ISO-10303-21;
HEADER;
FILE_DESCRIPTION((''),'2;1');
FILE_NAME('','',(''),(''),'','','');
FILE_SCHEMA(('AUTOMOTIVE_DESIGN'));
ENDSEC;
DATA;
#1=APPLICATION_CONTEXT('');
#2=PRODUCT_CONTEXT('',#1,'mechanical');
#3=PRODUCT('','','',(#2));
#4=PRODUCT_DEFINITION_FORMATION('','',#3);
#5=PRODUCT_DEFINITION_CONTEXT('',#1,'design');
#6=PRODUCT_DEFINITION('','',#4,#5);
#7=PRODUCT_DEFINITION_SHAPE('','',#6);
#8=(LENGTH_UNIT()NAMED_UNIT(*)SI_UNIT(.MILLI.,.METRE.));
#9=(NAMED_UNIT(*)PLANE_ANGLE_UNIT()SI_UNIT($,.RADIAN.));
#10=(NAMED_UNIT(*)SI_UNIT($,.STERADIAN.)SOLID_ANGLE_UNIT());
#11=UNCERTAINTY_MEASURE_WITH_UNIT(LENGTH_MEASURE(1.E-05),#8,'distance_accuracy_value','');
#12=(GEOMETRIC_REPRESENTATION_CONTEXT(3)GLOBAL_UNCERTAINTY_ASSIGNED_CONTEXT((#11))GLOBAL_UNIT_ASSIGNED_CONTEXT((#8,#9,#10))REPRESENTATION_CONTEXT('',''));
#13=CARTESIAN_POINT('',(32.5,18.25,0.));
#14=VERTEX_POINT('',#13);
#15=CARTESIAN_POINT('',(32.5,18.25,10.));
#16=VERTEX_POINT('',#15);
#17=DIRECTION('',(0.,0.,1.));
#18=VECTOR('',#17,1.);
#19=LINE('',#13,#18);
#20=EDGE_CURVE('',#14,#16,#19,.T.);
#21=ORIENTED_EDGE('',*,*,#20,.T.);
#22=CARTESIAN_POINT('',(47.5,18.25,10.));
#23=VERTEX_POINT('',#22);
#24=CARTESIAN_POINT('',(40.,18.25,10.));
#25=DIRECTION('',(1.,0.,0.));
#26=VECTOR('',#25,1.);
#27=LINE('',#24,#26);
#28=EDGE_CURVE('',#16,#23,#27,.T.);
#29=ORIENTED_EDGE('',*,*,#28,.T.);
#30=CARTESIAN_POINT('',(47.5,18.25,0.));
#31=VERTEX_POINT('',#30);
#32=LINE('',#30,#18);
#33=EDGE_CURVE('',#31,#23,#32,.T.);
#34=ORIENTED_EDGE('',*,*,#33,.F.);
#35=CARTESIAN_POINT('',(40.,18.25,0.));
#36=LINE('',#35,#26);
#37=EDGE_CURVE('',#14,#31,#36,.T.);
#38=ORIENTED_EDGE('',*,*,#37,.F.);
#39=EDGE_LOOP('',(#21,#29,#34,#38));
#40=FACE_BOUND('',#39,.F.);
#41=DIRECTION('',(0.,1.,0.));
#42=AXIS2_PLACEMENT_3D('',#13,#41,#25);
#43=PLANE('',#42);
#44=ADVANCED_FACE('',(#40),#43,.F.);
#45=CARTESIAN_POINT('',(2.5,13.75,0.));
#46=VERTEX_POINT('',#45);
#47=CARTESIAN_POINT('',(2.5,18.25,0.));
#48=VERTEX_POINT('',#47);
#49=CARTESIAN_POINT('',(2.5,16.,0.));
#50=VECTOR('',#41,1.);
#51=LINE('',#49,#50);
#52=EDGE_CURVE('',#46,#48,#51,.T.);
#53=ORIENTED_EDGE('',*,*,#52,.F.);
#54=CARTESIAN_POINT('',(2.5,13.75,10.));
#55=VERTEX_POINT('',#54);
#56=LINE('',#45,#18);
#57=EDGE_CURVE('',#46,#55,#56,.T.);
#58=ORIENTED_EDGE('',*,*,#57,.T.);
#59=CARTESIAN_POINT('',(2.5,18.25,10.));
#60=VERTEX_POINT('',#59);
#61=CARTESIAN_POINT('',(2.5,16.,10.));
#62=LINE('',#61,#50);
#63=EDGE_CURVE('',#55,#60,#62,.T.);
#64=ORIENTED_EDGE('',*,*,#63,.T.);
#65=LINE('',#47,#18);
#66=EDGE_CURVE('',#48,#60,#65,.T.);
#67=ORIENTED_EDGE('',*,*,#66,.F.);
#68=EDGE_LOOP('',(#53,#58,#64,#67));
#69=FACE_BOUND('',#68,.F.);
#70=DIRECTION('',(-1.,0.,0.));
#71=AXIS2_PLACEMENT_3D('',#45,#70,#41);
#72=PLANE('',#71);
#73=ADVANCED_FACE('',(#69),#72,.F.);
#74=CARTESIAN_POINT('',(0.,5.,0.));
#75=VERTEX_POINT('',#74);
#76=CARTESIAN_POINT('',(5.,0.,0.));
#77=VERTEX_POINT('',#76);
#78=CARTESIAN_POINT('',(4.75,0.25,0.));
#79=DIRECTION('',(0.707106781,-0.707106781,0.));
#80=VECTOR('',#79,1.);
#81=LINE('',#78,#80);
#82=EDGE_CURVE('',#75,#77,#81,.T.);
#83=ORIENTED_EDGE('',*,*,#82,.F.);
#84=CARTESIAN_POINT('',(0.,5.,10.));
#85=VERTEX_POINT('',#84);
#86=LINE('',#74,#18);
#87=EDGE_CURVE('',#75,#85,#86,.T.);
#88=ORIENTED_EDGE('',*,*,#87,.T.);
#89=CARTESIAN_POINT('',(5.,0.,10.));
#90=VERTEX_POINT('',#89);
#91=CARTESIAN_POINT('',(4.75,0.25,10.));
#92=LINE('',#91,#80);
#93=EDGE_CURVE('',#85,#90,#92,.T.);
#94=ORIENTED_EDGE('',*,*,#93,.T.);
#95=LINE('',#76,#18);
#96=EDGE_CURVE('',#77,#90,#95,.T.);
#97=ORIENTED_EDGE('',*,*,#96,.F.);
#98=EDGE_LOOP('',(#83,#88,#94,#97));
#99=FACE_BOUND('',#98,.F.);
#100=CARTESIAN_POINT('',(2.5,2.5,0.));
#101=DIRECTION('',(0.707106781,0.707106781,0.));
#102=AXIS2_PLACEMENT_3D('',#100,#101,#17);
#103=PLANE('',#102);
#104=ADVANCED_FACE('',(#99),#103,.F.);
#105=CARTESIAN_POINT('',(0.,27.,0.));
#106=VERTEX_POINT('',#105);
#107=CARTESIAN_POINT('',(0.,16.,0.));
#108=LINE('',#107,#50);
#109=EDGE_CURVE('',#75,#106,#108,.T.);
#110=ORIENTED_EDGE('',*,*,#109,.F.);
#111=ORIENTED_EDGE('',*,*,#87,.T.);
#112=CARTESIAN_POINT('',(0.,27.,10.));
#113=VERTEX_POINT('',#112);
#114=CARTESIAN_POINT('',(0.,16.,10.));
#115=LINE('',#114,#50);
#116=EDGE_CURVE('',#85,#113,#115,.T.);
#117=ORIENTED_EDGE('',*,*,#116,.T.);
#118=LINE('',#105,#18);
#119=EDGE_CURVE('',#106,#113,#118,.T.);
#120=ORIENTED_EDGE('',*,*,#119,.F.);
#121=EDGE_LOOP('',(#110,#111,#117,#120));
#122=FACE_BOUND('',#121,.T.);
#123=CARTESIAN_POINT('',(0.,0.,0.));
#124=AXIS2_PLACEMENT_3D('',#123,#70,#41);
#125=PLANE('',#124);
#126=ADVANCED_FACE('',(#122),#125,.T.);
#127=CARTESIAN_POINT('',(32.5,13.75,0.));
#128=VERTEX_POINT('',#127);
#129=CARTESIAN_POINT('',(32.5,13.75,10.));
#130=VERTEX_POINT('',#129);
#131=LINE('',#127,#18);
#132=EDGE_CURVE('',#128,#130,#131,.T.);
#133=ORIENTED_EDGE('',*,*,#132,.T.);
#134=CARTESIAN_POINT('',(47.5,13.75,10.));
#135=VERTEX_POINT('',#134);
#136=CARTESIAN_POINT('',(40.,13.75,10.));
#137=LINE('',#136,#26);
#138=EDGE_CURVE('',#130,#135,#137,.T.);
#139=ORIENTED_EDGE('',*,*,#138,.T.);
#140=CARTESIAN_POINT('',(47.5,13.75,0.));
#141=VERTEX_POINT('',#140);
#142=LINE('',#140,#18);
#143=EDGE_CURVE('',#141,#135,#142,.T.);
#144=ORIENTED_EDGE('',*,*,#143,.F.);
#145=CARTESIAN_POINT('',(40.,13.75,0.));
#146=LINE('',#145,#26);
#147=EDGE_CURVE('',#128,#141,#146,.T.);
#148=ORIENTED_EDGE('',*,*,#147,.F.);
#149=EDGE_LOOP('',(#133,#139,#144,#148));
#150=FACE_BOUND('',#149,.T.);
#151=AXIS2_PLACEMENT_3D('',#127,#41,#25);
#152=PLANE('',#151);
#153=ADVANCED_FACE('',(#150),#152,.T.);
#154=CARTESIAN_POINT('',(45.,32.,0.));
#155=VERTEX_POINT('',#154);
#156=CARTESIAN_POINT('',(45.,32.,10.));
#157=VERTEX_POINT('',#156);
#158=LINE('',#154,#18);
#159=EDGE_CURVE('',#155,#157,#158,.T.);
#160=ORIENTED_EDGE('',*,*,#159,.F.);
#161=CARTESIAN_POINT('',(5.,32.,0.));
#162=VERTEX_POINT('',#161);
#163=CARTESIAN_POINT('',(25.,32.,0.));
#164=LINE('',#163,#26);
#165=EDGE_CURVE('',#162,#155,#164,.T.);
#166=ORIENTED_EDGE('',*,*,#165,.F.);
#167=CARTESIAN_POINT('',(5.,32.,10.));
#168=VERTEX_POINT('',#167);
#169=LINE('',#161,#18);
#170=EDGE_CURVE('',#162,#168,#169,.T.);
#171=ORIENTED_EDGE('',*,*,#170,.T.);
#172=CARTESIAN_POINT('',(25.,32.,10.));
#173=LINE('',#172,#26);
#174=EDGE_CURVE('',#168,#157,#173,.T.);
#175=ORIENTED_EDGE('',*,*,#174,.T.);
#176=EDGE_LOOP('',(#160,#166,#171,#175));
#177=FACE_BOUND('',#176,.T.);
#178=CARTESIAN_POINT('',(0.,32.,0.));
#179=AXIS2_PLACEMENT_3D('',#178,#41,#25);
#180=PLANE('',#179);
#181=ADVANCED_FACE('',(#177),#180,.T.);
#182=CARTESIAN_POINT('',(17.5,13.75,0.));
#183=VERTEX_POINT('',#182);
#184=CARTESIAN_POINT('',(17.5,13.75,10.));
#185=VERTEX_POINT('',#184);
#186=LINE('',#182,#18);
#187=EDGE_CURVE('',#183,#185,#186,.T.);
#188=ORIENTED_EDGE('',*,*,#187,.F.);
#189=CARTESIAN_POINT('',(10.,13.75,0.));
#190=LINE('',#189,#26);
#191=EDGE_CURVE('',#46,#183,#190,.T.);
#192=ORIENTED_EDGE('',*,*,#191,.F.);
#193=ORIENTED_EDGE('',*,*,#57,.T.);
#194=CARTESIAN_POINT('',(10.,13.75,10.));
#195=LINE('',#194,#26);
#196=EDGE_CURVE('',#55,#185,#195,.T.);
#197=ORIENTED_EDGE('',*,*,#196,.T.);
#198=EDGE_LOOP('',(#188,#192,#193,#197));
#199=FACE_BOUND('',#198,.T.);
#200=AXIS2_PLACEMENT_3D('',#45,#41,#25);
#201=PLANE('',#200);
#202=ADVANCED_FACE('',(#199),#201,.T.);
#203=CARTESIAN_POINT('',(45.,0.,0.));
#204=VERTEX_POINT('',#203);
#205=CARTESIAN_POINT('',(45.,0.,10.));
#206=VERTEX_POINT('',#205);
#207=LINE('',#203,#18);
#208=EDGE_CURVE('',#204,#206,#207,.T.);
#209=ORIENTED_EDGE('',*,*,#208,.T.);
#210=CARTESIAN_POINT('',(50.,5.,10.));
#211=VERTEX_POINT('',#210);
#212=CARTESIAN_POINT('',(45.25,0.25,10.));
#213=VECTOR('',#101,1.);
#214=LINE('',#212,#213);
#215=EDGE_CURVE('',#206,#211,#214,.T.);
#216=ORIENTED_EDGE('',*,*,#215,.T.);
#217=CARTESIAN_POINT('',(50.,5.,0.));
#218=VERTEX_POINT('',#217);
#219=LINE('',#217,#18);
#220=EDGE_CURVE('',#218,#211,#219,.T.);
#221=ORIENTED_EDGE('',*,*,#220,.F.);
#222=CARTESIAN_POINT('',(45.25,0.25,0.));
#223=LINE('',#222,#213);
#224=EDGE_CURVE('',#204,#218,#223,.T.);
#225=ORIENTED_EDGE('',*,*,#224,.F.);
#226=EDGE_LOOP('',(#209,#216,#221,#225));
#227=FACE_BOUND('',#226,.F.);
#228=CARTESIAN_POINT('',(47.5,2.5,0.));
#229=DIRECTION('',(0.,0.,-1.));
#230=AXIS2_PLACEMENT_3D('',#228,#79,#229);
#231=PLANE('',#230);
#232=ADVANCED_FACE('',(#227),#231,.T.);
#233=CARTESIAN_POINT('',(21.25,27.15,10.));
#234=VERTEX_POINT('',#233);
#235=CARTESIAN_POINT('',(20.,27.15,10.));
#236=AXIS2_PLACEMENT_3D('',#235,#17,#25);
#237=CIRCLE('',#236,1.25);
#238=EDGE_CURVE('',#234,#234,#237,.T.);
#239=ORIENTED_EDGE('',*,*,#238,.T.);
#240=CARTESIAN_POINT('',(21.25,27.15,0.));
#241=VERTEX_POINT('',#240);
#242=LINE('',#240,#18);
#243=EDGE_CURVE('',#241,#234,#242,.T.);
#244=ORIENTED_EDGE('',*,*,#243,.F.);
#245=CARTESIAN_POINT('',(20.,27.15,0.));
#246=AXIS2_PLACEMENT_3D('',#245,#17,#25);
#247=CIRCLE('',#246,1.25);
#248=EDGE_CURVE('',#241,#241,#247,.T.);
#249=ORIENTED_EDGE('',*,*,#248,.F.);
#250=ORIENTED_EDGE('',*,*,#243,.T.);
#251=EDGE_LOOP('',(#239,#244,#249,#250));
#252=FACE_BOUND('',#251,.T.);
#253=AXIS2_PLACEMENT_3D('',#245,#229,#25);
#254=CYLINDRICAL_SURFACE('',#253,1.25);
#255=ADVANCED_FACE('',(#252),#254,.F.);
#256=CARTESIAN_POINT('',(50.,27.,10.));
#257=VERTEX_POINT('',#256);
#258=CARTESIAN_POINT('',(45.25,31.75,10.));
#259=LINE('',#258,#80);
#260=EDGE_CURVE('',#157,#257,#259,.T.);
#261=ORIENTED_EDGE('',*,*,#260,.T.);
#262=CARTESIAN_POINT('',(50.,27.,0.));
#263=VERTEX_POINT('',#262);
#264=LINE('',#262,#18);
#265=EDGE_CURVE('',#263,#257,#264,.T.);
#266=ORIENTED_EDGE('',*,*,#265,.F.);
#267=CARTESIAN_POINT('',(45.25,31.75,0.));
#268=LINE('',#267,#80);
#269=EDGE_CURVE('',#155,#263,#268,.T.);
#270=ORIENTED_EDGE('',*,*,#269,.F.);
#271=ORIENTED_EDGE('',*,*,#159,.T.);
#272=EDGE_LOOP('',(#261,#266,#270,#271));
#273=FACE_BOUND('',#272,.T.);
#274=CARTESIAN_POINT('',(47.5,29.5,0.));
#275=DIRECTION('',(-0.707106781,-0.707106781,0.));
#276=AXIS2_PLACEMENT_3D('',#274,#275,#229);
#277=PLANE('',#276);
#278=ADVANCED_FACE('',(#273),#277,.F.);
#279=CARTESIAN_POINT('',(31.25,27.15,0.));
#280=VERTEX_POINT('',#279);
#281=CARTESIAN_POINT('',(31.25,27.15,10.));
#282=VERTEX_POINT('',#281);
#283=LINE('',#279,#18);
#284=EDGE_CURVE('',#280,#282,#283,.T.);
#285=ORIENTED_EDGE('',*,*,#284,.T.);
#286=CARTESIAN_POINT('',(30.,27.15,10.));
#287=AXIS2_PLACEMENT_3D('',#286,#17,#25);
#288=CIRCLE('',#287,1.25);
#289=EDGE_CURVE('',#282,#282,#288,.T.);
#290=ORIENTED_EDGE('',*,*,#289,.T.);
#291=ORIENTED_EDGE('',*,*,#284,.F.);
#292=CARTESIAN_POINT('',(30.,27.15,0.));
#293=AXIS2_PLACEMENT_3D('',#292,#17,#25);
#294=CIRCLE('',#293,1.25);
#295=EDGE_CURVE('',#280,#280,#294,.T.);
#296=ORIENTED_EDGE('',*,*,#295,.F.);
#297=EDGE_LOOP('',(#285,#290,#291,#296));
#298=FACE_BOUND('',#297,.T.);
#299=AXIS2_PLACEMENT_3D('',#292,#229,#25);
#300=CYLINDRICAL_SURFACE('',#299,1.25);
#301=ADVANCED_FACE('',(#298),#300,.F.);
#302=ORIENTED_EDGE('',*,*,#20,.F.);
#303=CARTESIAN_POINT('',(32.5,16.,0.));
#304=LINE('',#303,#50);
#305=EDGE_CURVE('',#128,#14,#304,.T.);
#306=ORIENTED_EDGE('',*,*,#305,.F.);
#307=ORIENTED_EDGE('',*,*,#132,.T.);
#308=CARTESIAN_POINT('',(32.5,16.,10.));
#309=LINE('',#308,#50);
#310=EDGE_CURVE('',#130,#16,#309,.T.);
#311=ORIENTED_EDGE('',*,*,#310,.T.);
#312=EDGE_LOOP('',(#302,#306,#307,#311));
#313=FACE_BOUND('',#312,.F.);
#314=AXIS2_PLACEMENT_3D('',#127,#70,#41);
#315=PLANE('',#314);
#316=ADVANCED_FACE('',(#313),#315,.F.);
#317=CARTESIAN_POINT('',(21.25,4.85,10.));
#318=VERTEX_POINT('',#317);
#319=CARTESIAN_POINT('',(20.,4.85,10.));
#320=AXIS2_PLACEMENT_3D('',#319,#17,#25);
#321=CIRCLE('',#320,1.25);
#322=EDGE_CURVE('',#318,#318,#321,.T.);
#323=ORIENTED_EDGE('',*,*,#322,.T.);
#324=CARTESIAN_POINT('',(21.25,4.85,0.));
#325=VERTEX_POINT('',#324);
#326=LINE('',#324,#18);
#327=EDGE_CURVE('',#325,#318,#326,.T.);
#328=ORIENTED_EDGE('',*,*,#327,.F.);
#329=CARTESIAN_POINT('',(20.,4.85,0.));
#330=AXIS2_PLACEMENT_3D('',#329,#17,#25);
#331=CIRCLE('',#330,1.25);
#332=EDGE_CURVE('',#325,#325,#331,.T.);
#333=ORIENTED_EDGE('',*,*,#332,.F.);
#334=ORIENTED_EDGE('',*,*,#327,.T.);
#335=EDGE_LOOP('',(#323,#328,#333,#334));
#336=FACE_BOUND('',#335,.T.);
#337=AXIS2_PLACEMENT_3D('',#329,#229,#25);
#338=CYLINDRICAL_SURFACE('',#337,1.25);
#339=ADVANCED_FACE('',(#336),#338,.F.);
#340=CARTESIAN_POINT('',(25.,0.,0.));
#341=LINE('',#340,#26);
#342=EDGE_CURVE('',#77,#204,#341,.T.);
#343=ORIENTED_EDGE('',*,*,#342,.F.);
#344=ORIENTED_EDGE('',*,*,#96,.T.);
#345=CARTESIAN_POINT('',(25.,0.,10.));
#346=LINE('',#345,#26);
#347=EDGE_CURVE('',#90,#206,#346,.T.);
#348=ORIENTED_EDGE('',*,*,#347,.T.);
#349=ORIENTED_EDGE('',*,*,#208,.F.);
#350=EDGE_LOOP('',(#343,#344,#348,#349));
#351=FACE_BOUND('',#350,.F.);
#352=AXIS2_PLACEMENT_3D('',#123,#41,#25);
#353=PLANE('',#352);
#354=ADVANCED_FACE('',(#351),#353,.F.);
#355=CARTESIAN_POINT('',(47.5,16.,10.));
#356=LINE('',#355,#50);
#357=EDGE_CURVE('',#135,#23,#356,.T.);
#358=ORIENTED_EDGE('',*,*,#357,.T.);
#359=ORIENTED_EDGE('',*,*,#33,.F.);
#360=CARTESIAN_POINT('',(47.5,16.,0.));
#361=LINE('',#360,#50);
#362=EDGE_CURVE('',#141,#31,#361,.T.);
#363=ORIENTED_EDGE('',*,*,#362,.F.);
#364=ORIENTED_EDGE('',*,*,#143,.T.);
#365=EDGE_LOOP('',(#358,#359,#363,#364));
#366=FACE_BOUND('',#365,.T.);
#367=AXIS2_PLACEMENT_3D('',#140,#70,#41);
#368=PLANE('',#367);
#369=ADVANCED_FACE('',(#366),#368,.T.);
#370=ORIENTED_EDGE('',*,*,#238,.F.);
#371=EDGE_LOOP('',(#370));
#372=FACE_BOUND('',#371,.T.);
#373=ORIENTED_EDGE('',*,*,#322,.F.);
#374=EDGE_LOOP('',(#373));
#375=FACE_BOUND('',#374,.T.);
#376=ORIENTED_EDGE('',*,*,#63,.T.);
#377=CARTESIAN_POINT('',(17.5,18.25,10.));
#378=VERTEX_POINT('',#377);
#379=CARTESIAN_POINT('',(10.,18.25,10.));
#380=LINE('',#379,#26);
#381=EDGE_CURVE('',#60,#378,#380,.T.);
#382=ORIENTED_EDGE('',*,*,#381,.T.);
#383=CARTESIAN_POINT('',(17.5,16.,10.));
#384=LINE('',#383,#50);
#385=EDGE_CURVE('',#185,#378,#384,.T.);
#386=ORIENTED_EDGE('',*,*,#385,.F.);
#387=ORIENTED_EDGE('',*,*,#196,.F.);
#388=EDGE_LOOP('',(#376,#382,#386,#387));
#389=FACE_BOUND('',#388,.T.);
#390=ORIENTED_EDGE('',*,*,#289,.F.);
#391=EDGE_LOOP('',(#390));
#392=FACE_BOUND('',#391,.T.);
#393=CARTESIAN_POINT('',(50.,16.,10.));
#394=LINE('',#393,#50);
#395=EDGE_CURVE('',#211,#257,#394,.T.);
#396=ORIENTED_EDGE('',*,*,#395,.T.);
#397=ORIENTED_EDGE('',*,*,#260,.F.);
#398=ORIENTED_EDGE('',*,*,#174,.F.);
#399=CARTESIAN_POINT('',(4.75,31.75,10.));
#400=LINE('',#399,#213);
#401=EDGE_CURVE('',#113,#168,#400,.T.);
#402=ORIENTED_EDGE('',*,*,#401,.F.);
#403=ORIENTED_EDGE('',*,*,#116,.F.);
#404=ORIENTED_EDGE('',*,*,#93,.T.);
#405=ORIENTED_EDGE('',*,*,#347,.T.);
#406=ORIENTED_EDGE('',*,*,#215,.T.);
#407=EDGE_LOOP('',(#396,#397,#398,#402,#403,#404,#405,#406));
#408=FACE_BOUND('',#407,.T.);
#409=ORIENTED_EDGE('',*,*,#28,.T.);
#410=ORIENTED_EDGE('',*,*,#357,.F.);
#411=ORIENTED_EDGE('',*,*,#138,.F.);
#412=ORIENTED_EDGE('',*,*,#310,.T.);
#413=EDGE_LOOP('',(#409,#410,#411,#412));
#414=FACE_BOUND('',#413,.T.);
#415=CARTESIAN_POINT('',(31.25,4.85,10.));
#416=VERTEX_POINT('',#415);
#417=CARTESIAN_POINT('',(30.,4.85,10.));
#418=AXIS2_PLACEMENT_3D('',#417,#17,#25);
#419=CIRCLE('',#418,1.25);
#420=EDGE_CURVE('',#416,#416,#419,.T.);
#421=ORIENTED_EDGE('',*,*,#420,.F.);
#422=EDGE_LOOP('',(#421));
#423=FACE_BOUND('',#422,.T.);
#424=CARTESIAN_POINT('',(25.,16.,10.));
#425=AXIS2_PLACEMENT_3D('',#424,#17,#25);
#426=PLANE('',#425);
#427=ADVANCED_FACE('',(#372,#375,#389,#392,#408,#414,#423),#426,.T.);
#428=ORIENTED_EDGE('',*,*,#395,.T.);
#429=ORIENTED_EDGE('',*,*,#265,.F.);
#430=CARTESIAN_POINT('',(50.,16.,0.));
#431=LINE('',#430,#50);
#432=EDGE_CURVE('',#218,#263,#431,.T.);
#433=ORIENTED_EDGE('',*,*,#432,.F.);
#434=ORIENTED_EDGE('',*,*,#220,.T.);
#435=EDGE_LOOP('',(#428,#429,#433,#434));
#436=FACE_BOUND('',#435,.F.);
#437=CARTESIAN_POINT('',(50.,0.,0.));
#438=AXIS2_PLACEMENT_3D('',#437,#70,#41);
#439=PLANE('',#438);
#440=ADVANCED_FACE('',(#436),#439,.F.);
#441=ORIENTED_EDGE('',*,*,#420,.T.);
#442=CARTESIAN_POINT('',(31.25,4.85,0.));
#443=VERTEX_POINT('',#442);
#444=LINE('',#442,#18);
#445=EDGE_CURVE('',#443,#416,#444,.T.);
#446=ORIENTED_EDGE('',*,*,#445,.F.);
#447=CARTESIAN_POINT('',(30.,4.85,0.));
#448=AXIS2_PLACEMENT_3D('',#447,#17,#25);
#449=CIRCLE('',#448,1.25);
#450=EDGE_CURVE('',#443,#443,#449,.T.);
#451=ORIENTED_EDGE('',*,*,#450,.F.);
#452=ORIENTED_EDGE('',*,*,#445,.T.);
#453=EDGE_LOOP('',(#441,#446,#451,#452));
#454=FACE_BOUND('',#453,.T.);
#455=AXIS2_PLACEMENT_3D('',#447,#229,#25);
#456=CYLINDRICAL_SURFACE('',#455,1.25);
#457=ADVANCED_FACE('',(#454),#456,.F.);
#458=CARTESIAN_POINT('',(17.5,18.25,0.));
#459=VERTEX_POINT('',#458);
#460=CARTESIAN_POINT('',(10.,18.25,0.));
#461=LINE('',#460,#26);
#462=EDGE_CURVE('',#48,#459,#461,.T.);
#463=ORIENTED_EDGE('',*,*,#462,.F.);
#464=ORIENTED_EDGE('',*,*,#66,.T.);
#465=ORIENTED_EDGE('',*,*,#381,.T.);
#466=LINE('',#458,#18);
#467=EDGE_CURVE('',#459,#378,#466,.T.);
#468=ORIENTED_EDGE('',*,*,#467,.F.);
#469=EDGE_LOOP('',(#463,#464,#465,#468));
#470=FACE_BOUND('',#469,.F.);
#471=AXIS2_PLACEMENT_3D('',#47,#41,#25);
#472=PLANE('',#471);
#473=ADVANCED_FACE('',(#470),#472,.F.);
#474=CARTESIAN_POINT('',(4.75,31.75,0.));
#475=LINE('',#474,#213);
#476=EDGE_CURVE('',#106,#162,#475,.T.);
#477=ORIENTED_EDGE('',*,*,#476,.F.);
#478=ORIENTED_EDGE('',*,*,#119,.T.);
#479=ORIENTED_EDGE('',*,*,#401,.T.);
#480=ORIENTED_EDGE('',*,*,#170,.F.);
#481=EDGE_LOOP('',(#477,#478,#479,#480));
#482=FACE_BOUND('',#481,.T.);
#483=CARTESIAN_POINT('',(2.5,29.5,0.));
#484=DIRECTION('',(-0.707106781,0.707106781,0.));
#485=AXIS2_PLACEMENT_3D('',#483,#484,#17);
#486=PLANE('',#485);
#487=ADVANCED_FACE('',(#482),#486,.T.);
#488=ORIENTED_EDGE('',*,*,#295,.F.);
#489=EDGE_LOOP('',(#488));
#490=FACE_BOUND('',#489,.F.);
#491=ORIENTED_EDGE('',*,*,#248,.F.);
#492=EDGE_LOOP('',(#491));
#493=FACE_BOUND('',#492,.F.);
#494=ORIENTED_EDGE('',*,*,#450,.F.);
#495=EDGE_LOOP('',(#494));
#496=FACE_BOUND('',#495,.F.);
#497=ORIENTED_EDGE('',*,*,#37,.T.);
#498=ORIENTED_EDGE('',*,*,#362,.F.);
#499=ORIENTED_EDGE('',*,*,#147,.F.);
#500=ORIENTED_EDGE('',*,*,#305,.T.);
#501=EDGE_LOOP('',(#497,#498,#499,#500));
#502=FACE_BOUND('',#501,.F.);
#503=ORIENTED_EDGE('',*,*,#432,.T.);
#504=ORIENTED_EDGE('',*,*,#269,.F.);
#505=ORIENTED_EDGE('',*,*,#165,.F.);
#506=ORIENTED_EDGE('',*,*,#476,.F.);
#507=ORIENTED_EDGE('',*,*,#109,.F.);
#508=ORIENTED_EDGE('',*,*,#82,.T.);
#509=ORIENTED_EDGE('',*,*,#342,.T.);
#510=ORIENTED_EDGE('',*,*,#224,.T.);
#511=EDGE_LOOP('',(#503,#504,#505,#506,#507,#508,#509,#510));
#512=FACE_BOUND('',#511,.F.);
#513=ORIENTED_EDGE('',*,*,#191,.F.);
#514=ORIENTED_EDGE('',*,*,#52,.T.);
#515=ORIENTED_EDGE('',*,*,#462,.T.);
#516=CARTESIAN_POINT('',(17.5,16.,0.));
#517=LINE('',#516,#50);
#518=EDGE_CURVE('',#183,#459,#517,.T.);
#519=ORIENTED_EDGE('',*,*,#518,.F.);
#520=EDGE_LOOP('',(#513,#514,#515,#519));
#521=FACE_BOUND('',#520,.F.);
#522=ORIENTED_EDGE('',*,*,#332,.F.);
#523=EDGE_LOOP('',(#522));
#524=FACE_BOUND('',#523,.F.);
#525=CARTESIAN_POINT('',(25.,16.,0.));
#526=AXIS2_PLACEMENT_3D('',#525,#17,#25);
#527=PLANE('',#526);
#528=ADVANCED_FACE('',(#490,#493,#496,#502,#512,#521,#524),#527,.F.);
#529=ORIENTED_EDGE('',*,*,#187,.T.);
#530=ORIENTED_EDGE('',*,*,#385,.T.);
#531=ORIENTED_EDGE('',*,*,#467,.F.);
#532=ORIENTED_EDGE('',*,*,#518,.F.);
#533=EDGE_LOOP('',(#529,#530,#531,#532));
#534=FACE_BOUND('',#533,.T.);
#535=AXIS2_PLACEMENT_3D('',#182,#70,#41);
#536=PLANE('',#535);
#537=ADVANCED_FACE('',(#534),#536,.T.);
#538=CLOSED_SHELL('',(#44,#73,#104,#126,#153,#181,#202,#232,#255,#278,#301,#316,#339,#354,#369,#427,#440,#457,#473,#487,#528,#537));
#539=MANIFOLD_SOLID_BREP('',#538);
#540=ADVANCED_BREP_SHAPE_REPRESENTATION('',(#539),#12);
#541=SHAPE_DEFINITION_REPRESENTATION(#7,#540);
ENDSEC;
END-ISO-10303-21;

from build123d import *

# Parameters (mm, degrees)
F0_W     = 50
F0_H     = 32
F0_R     = 1.25
F0_W_2   = 15
F0_H_2   = 4.5
F1_DEPTH = 10
F2_SIZE  = 5


with BuildPart() as f1:
    # F0 (on Top) → F1 (new body)
    with BuildSketch(Plane.XY):
        with Locations((25, 16)):
            Rectangle(F0_W, F0_H)
        with Locations((20, 4.85)):
            Circle(F0_R, mode=Mode.SUBTRACT)
        with Locations((30, 4.85)):
            Circle(F0_R, mode=Mode.SUBTRACT)
        with Locations((10, 16)):
            Rectangle(F0_W_2, F0_H_2, mode=Mode.SUBTRACT)
        with Locations((20, 27.15)):
            Circle(F0_R, mode=Mode.SUBTRACT)
        with Locations((40, 16)):
            Rectangle(F0_W_2, F0_H_2, mode=Mode.SUBTRACT)
        with Locations((30, 27.15)):
            Circle(F0_R, mode=Mode.SUBTRACT)
    extrude(amount=F1_DEPTH)

    # F2
    f2_edges = [f1.edges().sort_by_distance(p)[0] for p in [
        (0, 0, 5),
        (50, 0, 5),
        (50, 32, 5),
        (0, 32, 5),
    ]]
    chamfer(f2_edges, length=F2_SIZE)


solid = f1.part
